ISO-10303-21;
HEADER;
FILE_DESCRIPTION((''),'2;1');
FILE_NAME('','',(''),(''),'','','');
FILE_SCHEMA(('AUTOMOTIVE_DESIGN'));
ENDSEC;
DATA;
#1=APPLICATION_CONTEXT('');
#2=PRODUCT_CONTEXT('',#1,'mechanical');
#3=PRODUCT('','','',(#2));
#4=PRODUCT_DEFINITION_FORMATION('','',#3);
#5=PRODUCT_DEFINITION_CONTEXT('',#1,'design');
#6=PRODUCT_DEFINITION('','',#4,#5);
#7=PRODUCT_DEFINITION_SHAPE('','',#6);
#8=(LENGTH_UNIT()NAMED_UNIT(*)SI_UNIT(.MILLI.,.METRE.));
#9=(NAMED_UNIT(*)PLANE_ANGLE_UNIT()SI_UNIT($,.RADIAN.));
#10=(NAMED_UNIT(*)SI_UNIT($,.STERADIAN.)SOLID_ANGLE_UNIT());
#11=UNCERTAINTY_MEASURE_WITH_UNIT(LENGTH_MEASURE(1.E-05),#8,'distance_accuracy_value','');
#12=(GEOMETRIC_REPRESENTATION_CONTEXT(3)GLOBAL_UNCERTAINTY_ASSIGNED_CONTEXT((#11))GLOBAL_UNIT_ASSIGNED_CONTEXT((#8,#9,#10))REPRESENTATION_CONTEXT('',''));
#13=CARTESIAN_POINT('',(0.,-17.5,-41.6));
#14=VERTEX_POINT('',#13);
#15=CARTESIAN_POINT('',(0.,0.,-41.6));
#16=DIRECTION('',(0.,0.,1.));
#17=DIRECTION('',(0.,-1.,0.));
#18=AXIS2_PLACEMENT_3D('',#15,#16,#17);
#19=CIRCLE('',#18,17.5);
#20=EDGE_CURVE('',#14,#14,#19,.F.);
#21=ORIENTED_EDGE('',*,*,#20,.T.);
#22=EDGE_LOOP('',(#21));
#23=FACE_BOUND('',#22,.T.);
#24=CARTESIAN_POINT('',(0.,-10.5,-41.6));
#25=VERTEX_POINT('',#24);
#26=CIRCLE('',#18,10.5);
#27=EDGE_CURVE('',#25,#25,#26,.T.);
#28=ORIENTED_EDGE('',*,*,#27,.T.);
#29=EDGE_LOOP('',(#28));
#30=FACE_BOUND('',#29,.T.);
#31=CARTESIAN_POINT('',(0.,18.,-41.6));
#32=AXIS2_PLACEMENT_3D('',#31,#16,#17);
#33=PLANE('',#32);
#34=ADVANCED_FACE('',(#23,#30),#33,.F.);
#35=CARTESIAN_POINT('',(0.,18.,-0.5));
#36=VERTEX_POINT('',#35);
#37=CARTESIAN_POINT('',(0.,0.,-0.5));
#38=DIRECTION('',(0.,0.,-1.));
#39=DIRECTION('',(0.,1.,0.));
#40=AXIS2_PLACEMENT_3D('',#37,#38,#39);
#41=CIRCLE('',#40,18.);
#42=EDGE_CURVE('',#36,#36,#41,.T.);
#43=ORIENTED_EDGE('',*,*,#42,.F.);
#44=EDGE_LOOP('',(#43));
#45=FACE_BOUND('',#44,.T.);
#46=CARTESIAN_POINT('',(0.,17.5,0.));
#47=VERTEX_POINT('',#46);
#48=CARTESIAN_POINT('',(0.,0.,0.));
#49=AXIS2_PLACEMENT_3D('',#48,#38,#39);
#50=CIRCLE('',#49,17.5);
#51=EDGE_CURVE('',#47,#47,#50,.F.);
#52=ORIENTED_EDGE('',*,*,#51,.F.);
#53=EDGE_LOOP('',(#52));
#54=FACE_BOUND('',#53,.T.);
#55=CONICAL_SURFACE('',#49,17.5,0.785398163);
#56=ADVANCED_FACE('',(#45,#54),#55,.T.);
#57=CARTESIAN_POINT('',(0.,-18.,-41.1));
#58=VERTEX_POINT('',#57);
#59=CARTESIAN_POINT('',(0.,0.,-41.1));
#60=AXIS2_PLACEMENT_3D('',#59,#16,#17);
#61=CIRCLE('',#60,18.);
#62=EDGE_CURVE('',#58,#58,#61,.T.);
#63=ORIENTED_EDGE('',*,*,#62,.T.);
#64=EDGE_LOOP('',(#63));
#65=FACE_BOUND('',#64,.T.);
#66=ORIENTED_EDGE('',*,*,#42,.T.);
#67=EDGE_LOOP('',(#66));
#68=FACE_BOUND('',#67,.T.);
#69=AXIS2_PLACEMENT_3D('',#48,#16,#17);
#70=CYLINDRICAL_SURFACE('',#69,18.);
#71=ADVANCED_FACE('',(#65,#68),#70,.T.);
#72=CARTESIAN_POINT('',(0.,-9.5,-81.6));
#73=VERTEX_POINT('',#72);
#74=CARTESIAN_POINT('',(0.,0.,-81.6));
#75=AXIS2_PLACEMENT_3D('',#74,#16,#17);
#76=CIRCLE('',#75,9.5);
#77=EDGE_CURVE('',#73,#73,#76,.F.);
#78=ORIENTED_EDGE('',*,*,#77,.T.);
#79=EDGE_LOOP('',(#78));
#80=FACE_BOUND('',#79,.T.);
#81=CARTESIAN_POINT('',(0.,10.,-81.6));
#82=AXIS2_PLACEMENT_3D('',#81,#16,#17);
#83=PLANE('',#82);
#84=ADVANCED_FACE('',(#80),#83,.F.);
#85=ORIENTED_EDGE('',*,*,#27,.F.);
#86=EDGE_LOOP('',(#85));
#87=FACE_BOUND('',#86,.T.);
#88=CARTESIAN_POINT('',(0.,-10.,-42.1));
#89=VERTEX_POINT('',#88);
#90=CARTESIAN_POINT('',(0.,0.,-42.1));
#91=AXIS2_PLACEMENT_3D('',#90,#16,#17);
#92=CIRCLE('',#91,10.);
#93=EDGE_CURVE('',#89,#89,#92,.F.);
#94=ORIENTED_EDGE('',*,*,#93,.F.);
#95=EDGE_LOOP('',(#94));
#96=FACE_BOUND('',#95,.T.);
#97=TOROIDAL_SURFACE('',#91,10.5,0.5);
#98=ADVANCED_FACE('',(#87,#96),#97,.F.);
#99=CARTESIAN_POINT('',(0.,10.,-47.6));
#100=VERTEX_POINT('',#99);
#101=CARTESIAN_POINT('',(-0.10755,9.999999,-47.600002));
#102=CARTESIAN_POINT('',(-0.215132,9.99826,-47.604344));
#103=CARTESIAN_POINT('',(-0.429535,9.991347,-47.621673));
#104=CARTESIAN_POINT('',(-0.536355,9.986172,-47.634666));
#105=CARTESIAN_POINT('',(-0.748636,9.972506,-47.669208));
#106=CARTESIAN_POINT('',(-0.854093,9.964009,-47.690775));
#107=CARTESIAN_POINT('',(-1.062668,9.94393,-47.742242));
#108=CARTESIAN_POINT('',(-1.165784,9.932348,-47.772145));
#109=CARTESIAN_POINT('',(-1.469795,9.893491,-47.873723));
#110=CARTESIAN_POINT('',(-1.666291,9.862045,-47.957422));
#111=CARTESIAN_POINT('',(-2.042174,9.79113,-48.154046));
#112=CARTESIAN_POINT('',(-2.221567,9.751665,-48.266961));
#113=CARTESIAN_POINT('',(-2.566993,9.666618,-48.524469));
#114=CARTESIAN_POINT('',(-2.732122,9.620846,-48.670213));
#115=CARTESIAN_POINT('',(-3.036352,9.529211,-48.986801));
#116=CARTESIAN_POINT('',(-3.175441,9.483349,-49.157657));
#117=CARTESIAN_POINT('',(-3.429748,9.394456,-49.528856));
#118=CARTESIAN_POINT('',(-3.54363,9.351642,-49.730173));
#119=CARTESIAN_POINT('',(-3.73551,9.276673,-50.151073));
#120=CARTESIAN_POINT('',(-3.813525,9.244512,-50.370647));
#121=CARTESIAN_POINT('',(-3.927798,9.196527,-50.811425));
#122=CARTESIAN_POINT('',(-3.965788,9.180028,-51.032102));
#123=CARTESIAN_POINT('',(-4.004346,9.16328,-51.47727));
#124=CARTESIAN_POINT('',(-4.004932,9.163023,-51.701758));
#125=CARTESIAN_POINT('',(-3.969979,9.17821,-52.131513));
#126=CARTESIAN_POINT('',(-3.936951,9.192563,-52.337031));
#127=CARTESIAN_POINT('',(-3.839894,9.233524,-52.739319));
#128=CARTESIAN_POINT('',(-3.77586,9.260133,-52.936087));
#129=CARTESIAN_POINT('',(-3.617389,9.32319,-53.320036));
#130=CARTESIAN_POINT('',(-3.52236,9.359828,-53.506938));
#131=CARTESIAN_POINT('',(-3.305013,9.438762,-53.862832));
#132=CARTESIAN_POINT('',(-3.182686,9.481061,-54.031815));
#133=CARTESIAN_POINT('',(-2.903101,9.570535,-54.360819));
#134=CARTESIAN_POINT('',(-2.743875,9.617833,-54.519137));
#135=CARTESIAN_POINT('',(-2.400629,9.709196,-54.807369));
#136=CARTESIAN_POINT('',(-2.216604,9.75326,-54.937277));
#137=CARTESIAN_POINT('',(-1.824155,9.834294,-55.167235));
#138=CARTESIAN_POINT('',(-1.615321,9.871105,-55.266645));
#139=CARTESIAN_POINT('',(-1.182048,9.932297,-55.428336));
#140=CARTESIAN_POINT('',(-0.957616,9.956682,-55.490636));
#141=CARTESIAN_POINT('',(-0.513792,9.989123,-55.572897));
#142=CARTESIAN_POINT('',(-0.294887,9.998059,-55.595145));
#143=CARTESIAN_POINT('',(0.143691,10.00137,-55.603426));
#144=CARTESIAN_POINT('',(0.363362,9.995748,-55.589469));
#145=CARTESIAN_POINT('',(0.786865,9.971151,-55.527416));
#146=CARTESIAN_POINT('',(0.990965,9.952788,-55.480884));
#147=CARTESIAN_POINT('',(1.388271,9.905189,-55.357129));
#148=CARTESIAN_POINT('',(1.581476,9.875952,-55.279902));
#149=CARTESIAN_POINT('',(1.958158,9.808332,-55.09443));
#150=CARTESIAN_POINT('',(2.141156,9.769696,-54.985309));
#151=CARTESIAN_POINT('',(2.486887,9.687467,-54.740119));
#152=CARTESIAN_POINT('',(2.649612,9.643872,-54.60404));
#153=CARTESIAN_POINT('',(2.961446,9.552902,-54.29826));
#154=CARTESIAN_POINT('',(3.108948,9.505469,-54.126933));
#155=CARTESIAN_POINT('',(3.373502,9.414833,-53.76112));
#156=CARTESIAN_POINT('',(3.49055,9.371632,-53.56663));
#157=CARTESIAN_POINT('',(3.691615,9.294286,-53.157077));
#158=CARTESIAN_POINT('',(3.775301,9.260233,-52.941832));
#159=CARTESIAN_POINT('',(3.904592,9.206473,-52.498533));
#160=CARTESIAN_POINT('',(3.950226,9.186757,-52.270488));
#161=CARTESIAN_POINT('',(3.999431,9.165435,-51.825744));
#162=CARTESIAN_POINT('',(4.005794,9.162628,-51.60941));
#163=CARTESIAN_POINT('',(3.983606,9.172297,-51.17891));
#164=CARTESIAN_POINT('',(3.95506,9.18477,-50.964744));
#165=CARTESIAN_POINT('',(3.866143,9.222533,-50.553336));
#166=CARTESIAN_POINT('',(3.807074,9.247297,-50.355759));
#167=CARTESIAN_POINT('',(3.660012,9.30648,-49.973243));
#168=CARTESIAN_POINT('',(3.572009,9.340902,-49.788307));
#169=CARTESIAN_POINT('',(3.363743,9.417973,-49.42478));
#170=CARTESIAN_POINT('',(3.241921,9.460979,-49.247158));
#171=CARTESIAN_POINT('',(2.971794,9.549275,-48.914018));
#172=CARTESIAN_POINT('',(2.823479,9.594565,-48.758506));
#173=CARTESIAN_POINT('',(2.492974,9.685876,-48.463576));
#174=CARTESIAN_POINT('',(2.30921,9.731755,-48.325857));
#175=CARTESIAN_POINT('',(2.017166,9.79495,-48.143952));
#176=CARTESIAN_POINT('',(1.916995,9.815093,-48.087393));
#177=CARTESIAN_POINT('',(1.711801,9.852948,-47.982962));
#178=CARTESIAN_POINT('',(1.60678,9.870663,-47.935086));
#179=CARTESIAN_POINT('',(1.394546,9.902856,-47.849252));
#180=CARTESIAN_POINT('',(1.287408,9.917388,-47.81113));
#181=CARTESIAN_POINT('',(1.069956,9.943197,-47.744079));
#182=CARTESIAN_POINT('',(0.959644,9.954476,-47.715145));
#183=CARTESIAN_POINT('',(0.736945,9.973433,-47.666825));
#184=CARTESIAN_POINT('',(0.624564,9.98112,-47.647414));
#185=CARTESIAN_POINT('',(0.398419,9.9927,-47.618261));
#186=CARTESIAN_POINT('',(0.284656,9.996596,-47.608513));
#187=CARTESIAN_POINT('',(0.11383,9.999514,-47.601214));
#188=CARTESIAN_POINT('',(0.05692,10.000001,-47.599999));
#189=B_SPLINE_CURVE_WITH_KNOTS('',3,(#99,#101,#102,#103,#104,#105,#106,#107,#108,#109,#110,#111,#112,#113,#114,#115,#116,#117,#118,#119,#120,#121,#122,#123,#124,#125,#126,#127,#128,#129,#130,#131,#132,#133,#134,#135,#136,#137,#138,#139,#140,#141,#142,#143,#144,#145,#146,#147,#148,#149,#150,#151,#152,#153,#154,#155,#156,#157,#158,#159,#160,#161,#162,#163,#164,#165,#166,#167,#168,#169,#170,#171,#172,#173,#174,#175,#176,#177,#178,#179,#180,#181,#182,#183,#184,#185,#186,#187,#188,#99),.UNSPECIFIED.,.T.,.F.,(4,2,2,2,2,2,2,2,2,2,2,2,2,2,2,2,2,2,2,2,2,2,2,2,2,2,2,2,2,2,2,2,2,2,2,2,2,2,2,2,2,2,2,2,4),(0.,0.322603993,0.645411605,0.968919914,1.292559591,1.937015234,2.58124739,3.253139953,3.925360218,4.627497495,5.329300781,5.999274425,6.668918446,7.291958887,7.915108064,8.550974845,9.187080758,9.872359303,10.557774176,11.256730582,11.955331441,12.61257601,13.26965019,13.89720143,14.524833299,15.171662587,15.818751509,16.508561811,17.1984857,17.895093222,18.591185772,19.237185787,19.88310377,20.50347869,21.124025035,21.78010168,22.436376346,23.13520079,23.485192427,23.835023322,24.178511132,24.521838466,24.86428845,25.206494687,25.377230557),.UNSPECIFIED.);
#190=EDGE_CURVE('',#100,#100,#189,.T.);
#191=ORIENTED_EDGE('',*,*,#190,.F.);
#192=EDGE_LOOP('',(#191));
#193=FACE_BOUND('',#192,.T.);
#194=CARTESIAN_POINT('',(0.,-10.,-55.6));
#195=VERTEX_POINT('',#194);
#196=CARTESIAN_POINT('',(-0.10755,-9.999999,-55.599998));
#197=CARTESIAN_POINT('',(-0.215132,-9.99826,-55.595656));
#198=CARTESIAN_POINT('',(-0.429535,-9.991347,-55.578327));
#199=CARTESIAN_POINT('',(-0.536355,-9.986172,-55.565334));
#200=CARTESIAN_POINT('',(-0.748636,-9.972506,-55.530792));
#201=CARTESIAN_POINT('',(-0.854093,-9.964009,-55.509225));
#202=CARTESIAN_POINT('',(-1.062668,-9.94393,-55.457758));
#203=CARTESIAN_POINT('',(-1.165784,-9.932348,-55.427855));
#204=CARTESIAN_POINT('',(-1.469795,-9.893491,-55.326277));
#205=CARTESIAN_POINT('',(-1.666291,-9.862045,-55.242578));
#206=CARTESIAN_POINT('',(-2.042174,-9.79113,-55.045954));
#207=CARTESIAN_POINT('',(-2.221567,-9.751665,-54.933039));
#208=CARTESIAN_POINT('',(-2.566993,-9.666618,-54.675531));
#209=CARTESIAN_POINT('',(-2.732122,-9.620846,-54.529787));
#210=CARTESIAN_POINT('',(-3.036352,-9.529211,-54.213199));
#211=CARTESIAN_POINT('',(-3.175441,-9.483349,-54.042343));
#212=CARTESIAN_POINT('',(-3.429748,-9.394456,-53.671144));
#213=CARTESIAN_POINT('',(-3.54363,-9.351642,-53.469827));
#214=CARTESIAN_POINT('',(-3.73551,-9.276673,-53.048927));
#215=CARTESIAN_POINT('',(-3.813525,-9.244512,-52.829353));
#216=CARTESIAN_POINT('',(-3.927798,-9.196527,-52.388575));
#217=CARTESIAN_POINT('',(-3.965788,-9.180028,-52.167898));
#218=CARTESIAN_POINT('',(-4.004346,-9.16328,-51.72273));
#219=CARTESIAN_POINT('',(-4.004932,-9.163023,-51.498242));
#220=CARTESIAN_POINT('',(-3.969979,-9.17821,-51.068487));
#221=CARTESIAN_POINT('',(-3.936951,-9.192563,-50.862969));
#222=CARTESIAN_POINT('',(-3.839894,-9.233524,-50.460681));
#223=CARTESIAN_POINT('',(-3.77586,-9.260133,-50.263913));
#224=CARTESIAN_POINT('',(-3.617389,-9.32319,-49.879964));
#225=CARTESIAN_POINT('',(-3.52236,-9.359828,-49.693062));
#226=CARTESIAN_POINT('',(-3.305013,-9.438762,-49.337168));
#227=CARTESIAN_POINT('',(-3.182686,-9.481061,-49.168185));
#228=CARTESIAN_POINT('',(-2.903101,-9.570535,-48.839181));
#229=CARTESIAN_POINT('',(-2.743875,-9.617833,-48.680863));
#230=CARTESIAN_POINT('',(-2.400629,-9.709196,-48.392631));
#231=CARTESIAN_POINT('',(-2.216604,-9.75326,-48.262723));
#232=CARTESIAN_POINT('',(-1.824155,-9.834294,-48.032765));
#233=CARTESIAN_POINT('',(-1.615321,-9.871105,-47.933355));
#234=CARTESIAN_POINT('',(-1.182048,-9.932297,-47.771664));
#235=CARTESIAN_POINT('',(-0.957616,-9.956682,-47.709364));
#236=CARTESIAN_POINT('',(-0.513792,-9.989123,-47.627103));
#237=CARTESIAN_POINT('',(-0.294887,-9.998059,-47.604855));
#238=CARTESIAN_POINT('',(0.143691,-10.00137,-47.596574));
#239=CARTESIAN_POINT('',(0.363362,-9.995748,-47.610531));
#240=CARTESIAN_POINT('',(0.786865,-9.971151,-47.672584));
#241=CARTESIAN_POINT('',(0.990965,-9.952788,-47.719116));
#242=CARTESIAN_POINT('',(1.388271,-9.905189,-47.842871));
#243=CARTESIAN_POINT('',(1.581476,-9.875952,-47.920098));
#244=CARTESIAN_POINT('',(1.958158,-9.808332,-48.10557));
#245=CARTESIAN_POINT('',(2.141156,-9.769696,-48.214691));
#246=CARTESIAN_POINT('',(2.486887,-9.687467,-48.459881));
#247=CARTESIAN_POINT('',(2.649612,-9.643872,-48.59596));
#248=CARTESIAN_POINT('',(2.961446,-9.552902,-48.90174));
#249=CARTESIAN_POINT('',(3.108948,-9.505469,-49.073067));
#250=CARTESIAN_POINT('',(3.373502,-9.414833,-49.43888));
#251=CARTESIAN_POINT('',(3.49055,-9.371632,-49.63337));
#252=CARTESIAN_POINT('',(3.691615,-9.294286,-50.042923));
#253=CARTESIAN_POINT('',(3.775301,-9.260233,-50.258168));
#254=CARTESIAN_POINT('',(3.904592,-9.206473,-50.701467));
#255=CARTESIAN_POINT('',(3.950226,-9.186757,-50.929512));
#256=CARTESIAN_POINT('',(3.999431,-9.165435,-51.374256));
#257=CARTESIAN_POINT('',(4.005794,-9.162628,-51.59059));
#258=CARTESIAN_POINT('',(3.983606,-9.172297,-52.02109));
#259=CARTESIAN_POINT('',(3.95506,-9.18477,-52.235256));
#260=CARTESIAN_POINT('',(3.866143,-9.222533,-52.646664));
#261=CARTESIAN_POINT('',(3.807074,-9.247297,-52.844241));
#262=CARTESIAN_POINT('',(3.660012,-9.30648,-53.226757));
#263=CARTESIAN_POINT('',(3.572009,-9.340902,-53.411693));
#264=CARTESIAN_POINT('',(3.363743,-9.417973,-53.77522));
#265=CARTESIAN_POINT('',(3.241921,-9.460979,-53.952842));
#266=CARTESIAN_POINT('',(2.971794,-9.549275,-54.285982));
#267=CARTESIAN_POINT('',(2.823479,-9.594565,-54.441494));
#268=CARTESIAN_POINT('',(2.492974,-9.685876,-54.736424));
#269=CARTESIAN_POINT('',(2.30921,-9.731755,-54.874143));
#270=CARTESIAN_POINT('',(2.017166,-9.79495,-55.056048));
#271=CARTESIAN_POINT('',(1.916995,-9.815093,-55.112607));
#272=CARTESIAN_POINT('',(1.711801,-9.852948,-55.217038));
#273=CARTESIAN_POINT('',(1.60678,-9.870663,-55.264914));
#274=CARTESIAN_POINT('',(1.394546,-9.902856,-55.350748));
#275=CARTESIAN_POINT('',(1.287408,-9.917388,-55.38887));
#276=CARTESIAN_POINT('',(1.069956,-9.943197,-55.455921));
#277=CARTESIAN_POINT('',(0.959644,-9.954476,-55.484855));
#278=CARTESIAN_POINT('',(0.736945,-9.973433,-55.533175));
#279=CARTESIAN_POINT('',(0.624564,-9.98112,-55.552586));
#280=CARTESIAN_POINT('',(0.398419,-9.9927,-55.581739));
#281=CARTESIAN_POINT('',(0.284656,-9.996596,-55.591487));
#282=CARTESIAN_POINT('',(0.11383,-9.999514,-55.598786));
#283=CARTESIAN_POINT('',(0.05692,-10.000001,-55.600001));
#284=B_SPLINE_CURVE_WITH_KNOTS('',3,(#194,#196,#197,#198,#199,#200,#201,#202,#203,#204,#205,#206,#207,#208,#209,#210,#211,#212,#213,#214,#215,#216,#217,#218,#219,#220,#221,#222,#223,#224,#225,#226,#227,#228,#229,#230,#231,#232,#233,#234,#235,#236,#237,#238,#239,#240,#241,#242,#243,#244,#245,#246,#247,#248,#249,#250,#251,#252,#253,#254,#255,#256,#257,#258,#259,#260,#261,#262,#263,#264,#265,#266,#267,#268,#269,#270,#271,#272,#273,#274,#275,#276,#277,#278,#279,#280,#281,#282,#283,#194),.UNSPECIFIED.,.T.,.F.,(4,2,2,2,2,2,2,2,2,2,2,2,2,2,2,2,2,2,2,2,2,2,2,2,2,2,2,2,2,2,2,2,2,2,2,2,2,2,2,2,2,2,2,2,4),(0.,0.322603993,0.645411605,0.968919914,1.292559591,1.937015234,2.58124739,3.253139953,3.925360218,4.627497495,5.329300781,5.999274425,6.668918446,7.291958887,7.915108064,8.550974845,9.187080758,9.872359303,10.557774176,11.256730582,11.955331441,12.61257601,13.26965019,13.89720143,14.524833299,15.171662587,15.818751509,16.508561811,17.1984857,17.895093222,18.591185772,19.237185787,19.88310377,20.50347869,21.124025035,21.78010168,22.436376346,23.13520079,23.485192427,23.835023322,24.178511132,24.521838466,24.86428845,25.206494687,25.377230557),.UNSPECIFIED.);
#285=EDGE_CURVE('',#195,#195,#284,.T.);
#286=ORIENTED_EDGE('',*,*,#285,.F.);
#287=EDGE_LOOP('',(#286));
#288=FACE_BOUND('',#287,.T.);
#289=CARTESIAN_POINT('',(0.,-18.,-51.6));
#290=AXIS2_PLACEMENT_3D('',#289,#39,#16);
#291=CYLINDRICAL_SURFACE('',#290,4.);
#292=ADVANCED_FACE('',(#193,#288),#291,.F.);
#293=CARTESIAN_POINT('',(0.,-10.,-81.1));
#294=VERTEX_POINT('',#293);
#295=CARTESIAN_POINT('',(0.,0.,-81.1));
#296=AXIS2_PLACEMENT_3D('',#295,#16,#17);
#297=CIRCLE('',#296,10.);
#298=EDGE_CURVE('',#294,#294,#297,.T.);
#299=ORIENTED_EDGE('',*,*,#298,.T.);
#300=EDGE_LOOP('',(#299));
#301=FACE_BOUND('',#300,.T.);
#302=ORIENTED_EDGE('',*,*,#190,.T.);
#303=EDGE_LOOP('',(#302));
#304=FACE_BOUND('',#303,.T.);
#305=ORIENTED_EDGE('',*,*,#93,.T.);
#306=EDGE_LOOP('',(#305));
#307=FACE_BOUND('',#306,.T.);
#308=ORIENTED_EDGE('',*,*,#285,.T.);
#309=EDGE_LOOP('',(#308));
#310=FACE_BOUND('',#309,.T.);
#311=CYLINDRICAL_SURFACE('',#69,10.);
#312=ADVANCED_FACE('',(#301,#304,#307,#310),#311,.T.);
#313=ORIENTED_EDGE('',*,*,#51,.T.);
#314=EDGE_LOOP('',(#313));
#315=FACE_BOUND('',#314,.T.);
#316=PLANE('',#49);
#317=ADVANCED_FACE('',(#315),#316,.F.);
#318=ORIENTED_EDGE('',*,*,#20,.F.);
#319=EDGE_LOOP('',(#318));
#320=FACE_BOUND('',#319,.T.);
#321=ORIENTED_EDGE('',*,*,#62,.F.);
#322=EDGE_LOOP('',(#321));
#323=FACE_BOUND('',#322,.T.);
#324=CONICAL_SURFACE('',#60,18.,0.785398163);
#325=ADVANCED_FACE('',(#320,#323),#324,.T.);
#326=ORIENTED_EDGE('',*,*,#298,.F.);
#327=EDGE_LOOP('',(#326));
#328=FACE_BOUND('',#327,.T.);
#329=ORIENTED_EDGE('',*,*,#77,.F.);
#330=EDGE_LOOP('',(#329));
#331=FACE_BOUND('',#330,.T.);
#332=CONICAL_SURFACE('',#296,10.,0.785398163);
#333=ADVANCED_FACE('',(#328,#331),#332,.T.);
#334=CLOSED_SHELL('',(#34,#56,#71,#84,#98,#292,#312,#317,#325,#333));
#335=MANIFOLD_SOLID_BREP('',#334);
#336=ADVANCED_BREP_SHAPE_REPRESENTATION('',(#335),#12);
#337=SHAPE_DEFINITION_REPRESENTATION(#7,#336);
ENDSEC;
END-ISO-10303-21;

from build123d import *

# Parameters (mm, degrees)
SKETCH_2_R          = 4
CUT_EXTRUDE_1_DEPTH = 89.128088598
FILLET_1_R          = 0.5
CHAMFER_1_SIZE      = 0.5


with BuildPart() as part:
    # Эскиз1 → Повернуть1 (revolve)
    with BuildSketch(Plane(origin=(0, 0, 0), x_dir=(0, 0, -1), z_dir=(1, 0, 0)), mode=Mode.PRIVATE) as revolve_1_sk:
        Polygon((0, 0), (0, 18), (41.6, 18), (41.6, 10), (81.6, 10), (81.6, 0), align=None)
    revolve(revolve_1_sk.sketch.rotate(Axis((0, 0, 0), (0, 0, -1)), 180), axis=Axis((0, 0, 0), (0, 0, -1)))

    # Эскиз2 → Вырез-Вытянуть1 (cut, through all)
    with BuildSketch(Plane(origin=(0, 10, 0), x_dir=(1, 0, 0), z_dir=(0, 1, 0))):
        with Locations(Location((0, 51.6, 0), (0, 0, 269.999999991))):
            Circle(SKETCH_2_R)
    extrude(amount=-CUT_EXTRUDE_1_DEPTH, mode=Mode.SUBTRACT)

    # Скругление1
    fillet_1_edges = [part.edges().sort_by_distance(p)[0] for p in [
        (0, 10, -41.6),
    ]]
    fillet(fillet_1_edges, radius=FILLET_1_R)

    # Фаска1
    chamfer_1_edges = [part.edges().sort_by_distance(p)[0] for p in [
        (0, 10, -81.6),
        (0, 18, -41.6),
        (0, 18, 0),
    ]]
    chamfer(chamfer_1_edges, length=CHAMFER_1_SIZE)


solid = part.part
